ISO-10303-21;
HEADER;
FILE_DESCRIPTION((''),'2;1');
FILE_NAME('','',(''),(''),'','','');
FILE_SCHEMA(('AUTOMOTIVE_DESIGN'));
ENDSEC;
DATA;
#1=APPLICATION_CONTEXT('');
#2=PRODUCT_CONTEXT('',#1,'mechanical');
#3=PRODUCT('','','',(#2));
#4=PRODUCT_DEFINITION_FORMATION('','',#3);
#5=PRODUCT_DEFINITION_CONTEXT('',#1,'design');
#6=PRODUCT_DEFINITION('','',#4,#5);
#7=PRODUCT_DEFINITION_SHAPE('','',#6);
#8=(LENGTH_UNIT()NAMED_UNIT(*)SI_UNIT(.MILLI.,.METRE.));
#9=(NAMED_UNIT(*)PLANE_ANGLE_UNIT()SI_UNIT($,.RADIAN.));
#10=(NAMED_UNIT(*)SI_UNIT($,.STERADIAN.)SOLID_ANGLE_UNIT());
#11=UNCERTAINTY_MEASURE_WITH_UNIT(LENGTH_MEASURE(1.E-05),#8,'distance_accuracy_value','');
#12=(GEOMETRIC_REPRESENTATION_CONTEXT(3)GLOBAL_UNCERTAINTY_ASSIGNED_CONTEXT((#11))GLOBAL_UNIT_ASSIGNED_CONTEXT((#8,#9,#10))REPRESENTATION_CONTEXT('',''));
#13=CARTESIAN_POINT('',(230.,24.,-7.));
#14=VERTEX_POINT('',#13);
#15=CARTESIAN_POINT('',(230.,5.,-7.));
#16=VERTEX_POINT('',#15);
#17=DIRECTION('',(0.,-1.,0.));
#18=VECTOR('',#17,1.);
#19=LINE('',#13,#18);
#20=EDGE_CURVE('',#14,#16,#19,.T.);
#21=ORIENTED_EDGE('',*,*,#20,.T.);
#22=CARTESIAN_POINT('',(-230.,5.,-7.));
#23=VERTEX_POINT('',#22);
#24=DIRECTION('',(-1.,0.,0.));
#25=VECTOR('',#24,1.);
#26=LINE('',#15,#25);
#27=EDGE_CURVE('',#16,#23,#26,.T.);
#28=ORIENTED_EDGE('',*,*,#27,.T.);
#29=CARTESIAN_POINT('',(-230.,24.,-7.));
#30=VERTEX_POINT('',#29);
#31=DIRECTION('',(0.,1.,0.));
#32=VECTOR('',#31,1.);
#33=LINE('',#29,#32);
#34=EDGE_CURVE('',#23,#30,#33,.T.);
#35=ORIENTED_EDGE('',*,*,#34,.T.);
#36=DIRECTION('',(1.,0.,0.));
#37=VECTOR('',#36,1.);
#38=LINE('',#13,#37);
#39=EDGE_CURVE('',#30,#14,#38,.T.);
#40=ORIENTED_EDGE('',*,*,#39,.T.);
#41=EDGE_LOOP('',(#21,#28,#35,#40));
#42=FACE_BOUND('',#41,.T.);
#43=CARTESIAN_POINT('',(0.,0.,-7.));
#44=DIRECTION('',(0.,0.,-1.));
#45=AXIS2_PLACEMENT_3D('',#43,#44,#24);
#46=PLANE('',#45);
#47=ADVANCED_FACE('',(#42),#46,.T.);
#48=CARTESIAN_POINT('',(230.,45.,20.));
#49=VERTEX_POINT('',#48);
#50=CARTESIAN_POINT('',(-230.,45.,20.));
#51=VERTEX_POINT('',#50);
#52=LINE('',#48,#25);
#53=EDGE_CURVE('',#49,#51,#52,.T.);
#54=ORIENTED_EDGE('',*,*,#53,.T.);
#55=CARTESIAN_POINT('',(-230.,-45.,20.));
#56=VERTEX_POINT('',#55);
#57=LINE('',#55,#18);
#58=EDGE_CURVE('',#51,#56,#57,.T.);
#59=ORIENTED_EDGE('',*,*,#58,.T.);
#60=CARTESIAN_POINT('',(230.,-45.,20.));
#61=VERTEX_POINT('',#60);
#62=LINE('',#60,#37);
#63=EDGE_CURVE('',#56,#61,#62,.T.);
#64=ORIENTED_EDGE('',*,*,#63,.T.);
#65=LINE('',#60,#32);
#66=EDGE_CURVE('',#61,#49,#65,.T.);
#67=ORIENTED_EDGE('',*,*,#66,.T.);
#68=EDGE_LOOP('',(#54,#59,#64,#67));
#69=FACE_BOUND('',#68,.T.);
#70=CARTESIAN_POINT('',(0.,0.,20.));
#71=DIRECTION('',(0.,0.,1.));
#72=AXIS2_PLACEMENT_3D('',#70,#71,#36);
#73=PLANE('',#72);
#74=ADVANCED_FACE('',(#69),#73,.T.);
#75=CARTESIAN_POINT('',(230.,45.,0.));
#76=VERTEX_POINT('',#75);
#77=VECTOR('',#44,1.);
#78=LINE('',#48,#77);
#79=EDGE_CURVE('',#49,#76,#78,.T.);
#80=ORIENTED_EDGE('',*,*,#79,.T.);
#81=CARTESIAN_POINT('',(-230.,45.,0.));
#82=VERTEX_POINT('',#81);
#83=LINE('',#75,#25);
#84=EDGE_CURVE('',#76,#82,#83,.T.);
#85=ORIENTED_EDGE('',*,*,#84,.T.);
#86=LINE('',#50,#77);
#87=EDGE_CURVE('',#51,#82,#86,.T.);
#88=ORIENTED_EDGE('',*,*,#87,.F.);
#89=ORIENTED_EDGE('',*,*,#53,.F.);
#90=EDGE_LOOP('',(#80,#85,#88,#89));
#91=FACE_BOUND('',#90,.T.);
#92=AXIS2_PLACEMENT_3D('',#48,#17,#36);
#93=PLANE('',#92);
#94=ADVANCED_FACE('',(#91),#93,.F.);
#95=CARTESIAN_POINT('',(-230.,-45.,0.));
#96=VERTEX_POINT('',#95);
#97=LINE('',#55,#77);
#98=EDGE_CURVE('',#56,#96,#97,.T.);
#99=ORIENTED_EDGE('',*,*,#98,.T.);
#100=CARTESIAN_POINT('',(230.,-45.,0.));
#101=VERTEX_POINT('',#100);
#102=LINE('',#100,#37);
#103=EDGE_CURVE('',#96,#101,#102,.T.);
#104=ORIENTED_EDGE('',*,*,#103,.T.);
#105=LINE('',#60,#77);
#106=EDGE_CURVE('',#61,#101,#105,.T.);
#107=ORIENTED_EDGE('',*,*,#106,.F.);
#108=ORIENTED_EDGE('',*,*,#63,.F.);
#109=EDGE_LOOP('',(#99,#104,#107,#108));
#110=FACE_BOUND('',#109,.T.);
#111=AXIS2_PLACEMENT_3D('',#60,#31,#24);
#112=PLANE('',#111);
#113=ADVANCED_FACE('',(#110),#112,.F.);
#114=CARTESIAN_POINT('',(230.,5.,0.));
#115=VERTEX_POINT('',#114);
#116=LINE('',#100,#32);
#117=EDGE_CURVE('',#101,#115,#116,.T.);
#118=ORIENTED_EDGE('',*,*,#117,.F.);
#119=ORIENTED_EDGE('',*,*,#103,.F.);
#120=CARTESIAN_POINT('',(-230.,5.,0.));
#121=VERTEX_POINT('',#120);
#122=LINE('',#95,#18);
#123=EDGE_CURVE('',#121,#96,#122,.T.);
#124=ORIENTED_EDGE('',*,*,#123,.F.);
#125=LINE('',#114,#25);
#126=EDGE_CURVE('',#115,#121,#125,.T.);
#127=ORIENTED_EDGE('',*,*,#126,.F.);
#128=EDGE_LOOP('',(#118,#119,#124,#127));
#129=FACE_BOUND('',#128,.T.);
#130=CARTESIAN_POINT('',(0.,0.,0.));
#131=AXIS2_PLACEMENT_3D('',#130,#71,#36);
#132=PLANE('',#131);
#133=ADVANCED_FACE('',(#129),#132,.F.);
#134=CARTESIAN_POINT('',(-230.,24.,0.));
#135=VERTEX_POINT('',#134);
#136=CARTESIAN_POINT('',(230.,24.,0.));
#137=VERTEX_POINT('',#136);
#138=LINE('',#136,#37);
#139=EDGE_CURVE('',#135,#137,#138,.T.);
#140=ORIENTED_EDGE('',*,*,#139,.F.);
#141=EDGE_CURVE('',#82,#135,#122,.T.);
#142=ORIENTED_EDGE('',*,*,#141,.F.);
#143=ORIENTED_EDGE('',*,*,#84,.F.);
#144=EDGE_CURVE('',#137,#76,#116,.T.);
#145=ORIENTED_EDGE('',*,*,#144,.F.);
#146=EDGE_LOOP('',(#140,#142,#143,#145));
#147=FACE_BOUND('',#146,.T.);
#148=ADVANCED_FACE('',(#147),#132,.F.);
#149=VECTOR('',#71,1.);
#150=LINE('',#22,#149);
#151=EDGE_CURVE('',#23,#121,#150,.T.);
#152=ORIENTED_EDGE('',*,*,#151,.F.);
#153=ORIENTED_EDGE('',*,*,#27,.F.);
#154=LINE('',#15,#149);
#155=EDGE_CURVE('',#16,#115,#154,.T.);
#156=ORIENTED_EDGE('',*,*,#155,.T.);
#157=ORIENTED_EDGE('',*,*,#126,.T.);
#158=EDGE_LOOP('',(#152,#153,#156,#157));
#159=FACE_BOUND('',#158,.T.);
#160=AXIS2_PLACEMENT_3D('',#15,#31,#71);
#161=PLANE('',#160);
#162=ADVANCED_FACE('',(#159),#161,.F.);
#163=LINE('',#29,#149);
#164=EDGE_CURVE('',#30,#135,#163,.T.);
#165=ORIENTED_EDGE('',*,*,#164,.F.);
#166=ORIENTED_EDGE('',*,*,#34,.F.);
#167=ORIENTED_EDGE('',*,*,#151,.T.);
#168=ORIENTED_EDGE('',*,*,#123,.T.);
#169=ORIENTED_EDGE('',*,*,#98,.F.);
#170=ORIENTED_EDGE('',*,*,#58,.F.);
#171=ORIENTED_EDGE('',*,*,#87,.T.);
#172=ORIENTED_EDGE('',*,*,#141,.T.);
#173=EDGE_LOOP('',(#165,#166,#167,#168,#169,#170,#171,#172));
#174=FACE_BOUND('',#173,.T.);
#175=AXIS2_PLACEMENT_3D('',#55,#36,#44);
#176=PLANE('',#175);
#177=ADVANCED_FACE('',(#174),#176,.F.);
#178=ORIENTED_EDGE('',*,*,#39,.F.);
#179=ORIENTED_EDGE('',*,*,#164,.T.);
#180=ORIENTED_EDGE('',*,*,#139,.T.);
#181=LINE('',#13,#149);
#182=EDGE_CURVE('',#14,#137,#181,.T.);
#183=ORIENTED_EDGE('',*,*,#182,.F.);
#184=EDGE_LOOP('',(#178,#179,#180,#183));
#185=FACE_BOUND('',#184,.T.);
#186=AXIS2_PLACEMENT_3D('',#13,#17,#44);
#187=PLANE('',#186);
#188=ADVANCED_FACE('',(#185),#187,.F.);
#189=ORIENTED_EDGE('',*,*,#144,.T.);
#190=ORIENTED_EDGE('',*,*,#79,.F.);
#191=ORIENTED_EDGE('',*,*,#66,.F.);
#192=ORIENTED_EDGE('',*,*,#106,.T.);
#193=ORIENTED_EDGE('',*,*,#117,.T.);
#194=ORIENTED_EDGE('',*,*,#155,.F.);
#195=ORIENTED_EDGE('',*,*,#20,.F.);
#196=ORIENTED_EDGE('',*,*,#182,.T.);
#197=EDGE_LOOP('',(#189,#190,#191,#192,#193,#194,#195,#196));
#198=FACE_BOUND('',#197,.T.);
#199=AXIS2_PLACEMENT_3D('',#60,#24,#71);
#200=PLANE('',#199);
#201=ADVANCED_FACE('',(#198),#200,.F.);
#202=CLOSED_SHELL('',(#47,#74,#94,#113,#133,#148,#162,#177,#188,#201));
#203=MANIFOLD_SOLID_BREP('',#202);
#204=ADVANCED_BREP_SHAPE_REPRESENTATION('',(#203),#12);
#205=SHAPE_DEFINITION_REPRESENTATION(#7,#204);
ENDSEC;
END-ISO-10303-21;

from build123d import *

# Parameters (mm, degrees)
CROQUIS1_W              = 460
CROQUIS1_H              = 90
SALIENTE_EXTRUIR1_DEPTH = 20
CROQUIS3_W              = 460
CROQUIS3_H              = 19
SALIENTE_EXTRUIR3_DEPTH = 7


with BuildPart() as part:
    # Croquis1 → Saliente-Extruir1 (new body)
    with BuildSketch(Plane.XY):
        Rectangle(CROQUIS1_W, CROQUIS1_H)
    extrude(amount=SALIENTE_EXTRUIR1_DEPTH)

    # Croquis3 → Saliente-Extruir3 (add)
    with BuildSketch(Plane(origin=(0, 0, 0), x_dir=(-1, 0, 0), z_dir=(0, 0, -1))):
        with Locations((0, 14.5)):
            Rectangle(CROQUIS3_W, CROQUIS3_H)
    extrude(amount=SALIENTE_EXTRUIR3_DEPTH)


solid = part.part
